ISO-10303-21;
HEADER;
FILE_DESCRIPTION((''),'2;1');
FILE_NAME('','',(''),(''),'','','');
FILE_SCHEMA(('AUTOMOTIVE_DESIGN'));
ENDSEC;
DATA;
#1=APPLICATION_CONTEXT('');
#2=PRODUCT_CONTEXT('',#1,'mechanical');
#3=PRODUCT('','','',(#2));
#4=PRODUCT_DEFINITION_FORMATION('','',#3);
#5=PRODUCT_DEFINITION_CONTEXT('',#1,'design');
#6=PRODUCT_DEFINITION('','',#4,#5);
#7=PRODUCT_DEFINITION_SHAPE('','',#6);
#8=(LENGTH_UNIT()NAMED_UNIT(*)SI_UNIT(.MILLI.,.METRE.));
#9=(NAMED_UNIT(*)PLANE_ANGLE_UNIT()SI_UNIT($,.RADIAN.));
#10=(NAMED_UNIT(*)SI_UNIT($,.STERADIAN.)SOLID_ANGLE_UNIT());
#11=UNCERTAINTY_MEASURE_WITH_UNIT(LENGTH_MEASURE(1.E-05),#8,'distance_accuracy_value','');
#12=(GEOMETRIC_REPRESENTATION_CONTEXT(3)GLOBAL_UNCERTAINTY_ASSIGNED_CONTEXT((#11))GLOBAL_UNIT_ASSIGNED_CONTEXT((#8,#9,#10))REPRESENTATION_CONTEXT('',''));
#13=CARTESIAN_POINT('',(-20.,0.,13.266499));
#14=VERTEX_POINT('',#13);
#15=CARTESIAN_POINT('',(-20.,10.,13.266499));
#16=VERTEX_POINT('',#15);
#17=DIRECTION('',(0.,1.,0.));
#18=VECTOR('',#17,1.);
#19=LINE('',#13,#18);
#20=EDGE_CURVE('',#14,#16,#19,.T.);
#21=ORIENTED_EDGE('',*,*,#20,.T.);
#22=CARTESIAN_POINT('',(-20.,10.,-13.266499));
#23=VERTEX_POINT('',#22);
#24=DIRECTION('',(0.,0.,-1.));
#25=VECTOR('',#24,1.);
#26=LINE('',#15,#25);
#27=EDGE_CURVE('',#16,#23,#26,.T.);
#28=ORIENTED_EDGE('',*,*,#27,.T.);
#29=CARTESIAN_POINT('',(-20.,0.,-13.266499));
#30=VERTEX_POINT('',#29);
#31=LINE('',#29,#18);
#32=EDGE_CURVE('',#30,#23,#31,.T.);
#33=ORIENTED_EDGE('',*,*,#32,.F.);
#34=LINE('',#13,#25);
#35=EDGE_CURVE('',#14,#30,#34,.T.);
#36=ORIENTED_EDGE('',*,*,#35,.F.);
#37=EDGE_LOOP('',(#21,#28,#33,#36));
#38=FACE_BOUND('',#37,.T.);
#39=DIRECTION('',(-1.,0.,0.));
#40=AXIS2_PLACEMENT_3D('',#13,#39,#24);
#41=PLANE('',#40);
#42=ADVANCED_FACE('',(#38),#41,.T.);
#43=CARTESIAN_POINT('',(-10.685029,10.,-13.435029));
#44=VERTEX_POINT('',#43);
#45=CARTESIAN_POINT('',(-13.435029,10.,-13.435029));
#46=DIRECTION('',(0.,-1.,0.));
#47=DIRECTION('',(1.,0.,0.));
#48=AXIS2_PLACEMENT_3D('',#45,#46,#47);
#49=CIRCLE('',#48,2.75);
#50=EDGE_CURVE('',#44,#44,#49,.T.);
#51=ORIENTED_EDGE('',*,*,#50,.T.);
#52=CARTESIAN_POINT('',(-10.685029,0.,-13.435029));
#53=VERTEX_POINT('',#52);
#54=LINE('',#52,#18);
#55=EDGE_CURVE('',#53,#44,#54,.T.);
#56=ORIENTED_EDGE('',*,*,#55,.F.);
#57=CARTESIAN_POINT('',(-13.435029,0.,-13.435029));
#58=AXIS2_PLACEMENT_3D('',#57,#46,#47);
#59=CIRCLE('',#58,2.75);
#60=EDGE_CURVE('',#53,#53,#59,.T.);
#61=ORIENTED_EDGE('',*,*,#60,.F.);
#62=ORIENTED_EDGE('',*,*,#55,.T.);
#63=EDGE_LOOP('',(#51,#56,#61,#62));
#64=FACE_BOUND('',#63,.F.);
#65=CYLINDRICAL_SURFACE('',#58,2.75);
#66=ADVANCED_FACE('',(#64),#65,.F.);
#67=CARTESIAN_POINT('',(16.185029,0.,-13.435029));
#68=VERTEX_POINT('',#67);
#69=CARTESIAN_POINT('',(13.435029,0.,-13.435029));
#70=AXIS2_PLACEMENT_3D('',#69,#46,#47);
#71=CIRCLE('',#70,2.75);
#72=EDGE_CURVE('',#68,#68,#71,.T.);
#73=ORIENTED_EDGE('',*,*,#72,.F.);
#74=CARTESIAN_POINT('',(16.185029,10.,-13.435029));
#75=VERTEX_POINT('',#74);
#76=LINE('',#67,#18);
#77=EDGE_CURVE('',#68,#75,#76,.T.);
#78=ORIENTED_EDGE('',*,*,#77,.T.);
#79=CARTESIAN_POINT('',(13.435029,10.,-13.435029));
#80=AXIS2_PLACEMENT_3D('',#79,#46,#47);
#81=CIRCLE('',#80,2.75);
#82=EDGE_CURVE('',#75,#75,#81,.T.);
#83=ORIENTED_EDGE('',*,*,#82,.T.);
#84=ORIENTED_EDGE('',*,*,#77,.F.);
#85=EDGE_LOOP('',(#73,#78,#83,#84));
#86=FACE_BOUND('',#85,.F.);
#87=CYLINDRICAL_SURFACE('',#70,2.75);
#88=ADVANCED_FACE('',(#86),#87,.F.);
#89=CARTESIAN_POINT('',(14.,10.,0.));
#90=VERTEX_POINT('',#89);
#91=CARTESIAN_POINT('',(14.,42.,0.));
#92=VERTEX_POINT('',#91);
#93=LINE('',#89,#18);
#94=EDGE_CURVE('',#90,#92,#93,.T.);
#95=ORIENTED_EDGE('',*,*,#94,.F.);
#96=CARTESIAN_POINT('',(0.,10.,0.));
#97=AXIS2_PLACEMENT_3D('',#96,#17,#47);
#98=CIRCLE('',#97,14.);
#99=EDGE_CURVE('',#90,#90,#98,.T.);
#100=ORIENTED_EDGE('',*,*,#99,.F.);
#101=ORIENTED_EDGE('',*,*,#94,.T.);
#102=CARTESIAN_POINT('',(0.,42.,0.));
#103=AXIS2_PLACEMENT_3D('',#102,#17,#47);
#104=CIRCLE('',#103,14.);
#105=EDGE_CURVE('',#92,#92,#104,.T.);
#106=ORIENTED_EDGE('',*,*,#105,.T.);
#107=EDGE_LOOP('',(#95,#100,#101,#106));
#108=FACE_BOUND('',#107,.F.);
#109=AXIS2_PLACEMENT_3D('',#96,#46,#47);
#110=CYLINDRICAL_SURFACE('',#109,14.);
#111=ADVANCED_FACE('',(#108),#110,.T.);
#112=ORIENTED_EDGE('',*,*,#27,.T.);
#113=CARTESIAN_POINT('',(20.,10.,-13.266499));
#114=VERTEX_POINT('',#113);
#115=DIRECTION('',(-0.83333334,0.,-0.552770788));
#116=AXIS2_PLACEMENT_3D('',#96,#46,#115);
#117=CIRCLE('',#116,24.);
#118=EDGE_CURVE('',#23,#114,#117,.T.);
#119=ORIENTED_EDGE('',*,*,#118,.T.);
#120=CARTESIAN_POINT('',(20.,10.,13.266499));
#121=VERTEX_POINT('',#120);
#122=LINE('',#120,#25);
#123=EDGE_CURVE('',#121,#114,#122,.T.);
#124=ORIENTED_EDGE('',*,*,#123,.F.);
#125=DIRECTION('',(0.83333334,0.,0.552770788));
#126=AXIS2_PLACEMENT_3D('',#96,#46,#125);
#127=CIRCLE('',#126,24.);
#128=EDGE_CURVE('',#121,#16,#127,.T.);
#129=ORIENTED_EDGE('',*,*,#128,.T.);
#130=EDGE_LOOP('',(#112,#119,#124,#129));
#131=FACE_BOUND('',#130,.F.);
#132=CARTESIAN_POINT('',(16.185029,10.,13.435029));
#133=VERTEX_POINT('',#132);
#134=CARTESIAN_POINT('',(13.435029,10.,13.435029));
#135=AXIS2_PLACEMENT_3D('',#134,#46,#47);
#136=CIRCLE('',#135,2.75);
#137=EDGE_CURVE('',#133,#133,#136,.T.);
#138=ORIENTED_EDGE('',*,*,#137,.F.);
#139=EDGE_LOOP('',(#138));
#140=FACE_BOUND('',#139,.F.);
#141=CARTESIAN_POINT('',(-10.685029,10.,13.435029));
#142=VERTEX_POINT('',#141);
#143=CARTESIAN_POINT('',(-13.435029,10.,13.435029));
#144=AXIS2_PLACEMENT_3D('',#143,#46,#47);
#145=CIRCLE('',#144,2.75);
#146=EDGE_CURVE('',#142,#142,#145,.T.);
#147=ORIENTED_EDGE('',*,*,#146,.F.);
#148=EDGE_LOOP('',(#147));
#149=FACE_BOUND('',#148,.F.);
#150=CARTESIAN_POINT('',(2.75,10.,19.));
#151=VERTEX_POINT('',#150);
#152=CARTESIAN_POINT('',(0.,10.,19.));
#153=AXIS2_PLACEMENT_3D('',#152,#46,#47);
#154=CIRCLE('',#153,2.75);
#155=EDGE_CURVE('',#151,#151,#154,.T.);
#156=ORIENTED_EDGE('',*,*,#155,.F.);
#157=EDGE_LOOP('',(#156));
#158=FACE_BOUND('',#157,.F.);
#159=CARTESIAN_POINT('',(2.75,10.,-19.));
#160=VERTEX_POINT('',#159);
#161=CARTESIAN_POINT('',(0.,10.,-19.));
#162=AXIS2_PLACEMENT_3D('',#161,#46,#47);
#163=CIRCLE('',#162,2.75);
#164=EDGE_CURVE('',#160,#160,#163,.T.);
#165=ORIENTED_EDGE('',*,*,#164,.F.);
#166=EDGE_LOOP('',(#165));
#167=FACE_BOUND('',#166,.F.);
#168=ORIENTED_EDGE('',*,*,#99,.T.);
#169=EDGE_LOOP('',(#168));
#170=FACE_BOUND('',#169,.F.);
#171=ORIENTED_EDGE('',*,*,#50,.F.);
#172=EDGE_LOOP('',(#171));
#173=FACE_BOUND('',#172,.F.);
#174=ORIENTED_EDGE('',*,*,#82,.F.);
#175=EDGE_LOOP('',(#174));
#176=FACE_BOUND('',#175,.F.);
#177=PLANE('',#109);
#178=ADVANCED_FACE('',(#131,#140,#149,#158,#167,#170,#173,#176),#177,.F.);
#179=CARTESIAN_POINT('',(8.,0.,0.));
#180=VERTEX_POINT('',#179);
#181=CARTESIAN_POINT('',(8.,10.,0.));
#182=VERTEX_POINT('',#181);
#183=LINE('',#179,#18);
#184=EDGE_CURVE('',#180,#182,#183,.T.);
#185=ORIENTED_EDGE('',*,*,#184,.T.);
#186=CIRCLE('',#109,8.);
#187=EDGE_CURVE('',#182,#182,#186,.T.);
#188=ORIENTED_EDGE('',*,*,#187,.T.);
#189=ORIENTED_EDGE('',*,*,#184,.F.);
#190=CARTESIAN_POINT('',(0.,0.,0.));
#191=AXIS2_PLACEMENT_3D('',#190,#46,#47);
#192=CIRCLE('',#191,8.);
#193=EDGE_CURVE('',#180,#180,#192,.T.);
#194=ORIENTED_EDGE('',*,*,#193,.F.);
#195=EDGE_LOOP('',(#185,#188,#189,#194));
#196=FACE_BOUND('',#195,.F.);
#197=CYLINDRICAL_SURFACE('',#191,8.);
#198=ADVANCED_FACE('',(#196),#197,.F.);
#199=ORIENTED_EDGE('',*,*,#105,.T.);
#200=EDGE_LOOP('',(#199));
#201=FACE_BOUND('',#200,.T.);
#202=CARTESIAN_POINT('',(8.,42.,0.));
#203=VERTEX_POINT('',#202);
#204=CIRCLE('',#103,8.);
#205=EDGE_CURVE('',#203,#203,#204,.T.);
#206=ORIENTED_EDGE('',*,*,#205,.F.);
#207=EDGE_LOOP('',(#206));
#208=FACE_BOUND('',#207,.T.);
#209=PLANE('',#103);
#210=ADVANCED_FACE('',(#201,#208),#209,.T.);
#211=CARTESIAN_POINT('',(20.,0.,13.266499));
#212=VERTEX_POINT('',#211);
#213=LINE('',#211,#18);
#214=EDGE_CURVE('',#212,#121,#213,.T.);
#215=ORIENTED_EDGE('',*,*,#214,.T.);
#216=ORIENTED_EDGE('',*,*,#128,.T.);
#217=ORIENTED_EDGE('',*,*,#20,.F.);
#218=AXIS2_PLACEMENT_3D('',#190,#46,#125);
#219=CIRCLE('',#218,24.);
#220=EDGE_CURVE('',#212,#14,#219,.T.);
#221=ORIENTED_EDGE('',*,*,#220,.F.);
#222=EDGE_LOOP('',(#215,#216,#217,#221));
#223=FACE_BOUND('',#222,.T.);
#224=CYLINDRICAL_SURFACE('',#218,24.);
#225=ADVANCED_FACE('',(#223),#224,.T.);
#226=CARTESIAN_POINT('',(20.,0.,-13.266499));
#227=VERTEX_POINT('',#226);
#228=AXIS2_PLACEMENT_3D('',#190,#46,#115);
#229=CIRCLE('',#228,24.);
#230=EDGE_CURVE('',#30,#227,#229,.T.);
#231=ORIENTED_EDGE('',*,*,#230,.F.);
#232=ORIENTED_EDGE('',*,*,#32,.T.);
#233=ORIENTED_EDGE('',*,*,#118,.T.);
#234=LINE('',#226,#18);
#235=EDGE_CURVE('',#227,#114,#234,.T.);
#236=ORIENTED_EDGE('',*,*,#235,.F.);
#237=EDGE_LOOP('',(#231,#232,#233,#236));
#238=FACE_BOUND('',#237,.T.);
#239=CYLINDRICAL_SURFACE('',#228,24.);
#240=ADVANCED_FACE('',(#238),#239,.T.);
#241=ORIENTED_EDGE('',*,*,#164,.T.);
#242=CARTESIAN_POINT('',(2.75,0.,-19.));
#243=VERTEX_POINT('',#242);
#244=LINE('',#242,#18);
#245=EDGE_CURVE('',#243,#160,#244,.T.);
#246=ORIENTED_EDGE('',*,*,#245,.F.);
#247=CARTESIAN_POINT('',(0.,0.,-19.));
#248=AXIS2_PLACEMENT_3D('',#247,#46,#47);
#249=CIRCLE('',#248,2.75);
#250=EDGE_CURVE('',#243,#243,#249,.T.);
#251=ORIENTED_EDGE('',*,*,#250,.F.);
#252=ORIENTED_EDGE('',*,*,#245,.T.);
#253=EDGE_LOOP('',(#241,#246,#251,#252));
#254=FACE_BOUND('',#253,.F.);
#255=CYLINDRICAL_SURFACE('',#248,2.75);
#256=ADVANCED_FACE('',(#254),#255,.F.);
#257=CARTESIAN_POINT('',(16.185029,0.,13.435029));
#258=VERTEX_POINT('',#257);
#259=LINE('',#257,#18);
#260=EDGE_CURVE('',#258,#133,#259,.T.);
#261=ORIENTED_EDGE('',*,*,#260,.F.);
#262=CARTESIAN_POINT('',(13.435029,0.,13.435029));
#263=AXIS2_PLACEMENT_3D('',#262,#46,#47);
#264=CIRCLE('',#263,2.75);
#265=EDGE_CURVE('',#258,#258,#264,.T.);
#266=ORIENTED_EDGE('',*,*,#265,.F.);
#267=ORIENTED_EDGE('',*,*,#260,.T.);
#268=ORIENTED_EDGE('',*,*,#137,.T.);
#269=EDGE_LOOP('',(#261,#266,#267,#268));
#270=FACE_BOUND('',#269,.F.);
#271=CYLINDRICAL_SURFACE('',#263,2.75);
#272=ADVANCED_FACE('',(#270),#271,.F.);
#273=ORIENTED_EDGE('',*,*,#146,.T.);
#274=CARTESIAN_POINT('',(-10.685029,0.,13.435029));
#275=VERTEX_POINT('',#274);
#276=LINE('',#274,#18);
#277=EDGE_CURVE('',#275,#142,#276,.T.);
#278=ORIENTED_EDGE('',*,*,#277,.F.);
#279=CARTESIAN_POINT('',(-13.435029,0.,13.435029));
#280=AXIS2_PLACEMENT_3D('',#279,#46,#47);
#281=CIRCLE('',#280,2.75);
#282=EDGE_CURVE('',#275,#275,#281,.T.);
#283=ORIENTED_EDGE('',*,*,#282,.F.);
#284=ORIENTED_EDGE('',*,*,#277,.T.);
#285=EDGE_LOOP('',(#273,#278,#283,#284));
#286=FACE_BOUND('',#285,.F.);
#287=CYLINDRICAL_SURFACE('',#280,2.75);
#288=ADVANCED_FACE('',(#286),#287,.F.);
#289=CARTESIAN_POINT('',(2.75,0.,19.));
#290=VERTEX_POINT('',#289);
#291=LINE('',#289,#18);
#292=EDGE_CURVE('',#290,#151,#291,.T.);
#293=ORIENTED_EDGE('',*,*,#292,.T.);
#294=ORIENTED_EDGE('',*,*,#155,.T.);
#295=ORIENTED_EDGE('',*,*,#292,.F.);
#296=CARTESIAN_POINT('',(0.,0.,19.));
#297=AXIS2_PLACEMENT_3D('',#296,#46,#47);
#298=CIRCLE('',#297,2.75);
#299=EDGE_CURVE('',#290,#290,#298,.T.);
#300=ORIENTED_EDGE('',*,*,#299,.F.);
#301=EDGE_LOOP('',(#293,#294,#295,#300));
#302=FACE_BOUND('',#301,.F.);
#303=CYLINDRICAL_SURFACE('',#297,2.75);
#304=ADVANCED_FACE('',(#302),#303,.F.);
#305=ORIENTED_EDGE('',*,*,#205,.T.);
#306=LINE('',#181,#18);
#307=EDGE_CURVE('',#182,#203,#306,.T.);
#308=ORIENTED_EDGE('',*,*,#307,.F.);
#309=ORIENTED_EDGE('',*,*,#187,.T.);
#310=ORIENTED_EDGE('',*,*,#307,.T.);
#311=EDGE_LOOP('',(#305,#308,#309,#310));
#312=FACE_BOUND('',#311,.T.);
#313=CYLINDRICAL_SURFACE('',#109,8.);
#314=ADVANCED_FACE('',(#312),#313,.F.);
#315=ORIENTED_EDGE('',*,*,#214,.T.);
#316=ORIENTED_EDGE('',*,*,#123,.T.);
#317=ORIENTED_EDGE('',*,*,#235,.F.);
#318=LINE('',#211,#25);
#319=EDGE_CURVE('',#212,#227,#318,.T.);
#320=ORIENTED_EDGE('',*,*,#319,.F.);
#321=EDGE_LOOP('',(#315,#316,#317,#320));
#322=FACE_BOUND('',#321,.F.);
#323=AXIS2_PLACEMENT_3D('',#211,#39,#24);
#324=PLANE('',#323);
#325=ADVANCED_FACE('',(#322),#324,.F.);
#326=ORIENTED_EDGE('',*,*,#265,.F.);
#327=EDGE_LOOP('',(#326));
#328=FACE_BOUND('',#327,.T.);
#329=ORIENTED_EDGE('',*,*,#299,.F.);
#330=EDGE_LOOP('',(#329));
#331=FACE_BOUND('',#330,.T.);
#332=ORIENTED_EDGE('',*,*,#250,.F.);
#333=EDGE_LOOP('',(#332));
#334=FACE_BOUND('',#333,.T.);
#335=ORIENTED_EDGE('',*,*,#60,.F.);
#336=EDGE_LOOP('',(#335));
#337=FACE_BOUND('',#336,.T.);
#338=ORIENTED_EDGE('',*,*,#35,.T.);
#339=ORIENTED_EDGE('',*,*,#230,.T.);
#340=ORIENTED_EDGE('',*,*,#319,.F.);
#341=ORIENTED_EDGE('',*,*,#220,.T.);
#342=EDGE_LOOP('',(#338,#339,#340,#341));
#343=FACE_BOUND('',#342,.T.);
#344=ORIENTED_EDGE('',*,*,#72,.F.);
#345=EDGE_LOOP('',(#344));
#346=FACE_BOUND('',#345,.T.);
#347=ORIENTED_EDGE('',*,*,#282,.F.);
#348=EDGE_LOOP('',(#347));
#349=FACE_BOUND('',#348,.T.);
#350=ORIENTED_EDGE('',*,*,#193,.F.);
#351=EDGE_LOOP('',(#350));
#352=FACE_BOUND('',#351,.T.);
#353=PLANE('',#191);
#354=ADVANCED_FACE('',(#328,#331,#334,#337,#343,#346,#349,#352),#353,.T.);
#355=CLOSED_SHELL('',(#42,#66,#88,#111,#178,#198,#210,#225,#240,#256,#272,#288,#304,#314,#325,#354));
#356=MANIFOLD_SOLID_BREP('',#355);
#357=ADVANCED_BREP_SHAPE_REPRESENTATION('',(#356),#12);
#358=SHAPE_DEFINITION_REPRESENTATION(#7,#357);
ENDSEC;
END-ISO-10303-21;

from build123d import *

# Parameters (mm, degrees)
SKETCH_R      = 8
SKETCH_R_2    = 2.75
PAD_DEPTH     = 10
SKETCH001_R   = 14
SKETCH001_R_2 = 8
PAD001_DEPTH  = 32


with BuildPart() as part:
    # Sketch → Pad (new body)
    with BuildSketch(Plane.XZ):
        with BuildLine():
            Line((-20, 13.266499), (-20, -13.266499))
            ThreePointArc((-20, -13.266499), (0, -24), (20, -13.266499))
            Line((20, 13.266499), (20, -13.266499))
            ThreePointArc((20, 13.266499), (0, 24), (-20, 13.266499))
        make_face()
        Circle(SKETCH_R, mode=Mode.SUBTRACT)
        with Locations((-13.435029, 13.435029)):
            Circle(SKETCH_R_2, mode=Mode.SUBTRACT)
        with Locations((0, 19)):
            Circle(SKETCH_R_2, mode=Mode.SUBTRACT)
        with Locations((13.435029, 13.435029)):
            Circle(SKETCH_R_2, mode=Mode.SUBTRACT)
        with Locations((-13.435029, -13.435029)):
            Circle(SKETCH_R_2, mode=Mode.SUBTRACT)
        with Locations((0, -19)):
            Circle(SKETCH_R_2, mode=Mode.SUBTRACT)
        with Locations((13.435029, -13.435029)):
            Circle(SKETCH_R_2, mode=Mode.SUBTRACT)
    extrude(amount=-PAD_DEPTH)

    # Sketch001 (on Face13 of Pad) → Pad001 (join)
    with BuildSketch(Plane(origin=(0, 10, 0), x_dir=(1, 0, 0), z_dir=(0, 1, 0))):
        Circle(SKETCH001_R)
        Circle(SKETCH001_R_2, mode=Mode.SUBTRACT)
    extrude(amount=PAD001_DEPTH)


solid = part.part
